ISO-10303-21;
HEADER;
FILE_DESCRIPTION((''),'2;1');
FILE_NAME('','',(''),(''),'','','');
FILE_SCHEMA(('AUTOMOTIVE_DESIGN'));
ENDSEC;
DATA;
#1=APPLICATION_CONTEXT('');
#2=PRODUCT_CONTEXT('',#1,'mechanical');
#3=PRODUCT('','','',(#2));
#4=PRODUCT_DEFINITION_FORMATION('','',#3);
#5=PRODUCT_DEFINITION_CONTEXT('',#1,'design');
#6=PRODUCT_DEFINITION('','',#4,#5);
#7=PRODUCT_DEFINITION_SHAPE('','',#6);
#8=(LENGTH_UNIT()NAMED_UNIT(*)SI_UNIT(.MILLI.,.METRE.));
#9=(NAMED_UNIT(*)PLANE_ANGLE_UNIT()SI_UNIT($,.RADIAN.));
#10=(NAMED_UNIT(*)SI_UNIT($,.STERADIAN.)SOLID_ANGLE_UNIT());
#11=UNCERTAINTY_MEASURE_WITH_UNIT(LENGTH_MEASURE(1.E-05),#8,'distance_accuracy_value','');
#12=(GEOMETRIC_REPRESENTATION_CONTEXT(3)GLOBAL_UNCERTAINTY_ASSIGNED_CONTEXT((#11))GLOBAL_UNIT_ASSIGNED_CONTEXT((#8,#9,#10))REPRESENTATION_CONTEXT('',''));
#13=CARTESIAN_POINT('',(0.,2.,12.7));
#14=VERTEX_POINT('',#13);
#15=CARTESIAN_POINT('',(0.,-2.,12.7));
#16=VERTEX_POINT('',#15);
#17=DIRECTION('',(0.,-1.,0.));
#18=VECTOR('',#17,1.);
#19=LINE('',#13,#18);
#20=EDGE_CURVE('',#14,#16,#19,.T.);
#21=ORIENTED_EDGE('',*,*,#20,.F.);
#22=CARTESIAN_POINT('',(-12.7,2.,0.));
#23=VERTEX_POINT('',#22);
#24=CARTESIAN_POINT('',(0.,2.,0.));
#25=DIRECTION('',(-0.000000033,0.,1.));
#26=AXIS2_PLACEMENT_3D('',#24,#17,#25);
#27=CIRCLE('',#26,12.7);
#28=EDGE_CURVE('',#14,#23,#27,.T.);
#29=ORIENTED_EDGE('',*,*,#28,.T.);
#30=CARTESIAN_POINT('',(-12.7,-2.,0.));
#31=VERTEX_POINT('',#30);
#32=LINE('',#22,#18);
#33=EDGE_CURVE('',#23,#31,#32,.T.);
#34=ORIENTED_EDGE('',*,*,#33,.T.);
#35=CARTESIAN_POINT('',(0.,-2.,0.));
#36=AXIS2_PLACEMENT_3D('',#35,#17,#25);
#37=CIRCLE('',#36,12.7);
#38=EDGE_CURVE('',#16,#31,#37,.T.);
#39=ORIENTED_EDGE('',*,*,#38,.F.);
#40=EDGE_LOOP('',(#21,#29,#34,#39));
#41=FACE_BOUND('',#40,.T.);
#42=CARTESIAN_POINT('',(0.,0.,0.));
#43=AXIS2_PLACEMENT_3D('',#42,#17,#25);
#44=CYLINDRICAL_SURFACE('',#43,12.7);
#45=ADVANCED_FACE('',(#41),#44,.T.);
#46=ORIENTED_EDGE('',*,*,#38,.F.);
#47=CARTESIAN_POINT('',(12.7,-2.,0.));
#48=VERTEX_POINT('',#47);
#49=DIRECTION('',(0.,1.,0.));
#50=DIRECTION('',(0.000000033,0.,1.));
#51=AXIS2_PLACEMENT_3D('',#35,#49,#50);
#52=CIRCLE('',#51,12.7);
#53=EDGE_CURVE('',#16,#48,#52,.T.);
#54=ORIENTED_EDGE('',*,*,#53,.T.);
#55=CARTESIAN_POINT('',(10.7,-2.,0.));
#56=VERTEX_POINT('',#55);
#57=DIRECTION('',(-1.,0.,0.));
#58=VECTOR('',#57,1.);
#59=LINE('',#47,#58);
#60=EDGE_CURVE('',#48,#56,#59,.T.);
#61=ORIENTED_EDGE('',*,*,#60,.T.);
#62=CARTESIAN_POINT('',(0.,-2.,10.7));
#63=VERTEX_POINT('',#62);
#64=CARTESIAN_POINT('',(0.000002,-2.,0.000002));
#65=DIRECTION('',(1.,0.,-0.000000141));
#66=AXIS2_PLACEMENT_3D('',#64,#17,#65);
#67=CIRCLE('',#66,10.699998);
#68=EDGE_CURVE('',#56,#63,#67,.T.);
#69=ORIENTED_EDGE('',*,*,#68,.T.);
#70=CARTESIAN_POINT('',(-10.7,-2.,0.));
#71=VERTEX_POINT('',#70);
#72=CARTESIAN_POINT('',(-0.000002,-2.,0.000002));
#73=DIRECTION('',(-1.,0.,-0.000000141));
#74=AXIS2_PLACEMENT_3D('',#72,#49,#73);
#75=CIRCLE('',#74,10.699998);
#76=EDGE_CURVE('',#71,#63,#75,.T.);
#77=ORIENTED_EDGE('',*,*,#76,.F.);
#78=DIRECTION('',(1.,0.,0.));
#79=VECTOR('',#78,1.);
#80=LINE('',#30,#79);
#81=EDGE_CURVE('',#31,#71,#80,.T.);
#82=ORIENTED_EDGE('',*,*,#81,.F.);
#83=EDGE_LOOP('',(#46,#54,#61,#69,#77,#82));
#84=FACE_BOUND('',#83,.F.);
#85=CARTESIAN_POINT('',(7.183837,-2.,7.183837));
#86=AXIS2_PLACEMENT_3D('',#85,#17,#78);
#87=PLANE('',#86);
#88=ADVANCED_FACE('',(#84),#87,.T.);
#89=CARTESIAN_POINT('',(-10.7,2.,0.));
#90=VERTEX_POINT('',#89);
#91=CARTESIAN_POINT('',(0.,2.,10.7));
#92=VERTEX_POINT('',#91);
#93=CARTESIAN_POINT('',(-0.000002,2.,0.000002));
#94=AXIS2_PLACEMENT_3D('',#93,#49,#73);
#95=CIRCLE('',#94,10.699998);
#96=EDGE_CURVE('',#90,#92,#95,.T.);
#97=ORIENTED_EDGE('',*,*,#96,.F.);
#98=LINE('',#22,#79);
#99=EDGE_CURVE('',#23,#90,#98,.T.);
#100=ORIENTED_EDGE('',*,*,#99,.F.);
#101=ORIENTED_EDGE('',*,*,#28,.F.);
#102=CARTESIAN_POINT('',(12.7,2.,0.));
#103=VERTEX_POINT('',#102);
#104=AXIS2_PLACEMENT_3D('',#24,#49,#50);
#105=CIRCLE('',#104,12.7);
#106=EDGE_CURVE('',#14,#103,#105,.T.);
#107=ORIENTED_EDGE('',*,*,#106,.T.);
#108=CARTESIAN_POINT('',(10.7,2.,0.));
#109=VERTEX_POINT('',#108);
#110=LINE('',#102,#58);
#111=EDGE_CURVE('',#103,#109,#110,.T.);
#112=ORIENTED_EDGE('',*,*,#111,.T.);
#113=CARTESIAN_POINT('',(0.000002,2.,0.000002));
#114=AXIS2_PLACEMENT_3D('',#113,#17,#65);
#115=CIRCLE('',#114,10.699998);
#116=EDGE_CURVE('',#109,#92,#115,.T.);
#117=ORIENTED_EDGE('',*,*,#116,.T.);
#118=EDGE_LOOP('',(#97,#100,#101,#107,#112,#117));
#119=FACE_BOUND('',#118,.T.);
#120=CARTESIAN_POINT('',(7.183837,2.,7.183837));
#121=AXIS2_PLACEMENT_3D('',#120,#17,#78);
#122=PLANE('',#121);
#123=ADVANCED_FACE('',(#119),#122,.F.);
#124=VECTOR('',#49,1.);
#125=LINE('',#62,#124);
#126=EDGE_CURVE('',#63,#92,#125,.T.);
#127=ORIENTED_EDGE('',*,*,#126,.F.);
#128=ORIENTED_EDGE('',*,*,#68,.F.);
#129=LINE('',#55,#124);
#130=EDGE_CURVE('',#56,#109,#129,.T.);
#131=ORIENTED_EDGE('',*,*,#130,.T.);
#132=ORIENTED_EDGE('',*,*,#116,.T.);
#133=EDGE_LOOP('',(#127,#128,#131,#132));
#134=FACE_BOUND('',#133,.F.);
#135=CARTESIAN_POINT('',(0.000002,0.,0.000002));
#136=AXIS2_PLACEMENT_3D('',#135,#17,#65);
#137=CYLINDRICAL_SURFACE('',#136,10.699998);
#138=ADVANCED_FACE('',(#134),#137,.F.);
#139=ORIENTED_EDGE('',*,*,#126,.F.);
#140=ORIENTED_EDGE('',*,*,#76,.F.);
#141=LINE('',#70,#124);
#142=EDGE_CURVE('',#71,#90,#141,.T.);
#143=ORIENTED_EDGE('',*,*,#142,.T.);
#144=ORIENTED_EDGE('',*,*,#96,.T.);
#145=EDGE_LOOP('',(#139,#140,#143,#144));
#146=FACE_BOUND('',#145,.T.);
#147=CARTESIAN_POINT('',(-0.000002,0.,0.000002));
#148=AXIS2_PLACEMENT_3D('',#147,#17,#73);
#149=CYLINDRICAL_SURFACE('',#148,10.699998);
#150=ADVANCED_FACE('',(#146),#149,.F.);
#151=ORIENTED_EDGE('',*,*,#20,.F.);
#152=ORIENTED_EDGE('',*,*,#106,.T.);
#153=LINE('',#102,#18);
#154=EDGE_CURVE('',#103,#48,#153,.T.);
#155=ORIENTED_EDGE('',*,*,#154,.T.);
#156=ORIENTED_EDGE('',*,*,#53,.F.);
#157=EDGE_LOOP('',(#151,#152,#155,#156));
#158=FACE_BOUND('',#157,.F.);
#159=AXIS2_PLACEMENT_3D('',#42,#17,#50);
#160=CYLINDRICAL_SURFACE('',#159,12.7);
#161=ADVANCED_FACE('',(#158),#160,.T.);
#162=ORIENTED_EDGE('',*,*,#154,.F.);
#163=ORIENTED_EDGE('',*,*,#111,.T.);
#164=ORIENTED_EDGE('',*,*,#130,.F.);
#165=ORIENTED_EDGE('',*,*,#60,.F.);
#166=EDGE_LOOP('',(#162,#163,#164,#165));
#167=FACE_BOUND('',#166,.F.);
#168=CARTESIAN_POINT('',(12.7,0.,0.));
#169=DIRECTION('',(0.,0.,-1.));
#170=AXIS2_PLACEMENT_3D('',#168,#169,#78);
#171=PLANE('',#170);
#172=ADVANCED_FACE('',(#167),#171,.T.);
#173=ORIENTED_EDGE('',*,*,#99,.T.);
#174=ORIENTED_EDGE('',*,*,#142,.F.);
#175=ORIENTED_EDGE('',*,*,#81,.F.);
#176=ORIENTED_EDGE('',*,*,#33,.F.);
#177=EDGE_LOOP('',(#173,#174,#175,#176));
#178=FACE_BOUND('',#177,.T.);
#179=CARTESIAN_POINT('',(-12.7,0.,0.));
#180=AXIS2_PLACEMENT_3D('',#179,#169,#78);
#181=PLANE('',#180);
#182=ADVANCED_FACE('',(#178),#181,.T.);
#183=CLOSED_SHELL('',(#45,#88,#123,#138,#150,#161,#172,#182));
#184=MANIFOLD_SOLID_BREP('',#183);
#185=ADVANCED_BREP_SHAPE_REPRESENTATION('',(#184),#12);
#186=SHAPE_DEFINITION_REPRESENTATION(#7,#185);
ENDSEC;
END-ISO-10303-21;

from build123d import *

# Parameters (mm, degrees)
F1_DEPTH      = 2
F1_DEPTH_BACK = 2


with BuildPart() as f1:
    # F0 (on Front) → F1 (new body, two sides)
    with BuildSketch(Plane.XZ) as f1_sk:
        with BuildLine():
            Line((0, 10.7), (0, 12.7))
            ThreePointArc((0, 12.7), (-8.980256, 8.980256), (-12.7, 0))
            Line((-12.7, 0), (-10.7, 0))
            ThreePointArc((-10.7, 0), (-7.566043, 7.566043), (0, 10.7))
        make_face()
    extrude(amount=F1_DEPTH)
    extrude(f1_sk.sketch, amount=-F1_DEPTH_BACK)

    # F2: F1 across face


with BuildPart() as f1_1:
    add(f1.part)
    add(f1.part.mirror(Plane(origin=(0, 0, 11.7), x_dir=(0, 1, 0), z_dir=(1, 0, 0))))


solid = f1_1.part
